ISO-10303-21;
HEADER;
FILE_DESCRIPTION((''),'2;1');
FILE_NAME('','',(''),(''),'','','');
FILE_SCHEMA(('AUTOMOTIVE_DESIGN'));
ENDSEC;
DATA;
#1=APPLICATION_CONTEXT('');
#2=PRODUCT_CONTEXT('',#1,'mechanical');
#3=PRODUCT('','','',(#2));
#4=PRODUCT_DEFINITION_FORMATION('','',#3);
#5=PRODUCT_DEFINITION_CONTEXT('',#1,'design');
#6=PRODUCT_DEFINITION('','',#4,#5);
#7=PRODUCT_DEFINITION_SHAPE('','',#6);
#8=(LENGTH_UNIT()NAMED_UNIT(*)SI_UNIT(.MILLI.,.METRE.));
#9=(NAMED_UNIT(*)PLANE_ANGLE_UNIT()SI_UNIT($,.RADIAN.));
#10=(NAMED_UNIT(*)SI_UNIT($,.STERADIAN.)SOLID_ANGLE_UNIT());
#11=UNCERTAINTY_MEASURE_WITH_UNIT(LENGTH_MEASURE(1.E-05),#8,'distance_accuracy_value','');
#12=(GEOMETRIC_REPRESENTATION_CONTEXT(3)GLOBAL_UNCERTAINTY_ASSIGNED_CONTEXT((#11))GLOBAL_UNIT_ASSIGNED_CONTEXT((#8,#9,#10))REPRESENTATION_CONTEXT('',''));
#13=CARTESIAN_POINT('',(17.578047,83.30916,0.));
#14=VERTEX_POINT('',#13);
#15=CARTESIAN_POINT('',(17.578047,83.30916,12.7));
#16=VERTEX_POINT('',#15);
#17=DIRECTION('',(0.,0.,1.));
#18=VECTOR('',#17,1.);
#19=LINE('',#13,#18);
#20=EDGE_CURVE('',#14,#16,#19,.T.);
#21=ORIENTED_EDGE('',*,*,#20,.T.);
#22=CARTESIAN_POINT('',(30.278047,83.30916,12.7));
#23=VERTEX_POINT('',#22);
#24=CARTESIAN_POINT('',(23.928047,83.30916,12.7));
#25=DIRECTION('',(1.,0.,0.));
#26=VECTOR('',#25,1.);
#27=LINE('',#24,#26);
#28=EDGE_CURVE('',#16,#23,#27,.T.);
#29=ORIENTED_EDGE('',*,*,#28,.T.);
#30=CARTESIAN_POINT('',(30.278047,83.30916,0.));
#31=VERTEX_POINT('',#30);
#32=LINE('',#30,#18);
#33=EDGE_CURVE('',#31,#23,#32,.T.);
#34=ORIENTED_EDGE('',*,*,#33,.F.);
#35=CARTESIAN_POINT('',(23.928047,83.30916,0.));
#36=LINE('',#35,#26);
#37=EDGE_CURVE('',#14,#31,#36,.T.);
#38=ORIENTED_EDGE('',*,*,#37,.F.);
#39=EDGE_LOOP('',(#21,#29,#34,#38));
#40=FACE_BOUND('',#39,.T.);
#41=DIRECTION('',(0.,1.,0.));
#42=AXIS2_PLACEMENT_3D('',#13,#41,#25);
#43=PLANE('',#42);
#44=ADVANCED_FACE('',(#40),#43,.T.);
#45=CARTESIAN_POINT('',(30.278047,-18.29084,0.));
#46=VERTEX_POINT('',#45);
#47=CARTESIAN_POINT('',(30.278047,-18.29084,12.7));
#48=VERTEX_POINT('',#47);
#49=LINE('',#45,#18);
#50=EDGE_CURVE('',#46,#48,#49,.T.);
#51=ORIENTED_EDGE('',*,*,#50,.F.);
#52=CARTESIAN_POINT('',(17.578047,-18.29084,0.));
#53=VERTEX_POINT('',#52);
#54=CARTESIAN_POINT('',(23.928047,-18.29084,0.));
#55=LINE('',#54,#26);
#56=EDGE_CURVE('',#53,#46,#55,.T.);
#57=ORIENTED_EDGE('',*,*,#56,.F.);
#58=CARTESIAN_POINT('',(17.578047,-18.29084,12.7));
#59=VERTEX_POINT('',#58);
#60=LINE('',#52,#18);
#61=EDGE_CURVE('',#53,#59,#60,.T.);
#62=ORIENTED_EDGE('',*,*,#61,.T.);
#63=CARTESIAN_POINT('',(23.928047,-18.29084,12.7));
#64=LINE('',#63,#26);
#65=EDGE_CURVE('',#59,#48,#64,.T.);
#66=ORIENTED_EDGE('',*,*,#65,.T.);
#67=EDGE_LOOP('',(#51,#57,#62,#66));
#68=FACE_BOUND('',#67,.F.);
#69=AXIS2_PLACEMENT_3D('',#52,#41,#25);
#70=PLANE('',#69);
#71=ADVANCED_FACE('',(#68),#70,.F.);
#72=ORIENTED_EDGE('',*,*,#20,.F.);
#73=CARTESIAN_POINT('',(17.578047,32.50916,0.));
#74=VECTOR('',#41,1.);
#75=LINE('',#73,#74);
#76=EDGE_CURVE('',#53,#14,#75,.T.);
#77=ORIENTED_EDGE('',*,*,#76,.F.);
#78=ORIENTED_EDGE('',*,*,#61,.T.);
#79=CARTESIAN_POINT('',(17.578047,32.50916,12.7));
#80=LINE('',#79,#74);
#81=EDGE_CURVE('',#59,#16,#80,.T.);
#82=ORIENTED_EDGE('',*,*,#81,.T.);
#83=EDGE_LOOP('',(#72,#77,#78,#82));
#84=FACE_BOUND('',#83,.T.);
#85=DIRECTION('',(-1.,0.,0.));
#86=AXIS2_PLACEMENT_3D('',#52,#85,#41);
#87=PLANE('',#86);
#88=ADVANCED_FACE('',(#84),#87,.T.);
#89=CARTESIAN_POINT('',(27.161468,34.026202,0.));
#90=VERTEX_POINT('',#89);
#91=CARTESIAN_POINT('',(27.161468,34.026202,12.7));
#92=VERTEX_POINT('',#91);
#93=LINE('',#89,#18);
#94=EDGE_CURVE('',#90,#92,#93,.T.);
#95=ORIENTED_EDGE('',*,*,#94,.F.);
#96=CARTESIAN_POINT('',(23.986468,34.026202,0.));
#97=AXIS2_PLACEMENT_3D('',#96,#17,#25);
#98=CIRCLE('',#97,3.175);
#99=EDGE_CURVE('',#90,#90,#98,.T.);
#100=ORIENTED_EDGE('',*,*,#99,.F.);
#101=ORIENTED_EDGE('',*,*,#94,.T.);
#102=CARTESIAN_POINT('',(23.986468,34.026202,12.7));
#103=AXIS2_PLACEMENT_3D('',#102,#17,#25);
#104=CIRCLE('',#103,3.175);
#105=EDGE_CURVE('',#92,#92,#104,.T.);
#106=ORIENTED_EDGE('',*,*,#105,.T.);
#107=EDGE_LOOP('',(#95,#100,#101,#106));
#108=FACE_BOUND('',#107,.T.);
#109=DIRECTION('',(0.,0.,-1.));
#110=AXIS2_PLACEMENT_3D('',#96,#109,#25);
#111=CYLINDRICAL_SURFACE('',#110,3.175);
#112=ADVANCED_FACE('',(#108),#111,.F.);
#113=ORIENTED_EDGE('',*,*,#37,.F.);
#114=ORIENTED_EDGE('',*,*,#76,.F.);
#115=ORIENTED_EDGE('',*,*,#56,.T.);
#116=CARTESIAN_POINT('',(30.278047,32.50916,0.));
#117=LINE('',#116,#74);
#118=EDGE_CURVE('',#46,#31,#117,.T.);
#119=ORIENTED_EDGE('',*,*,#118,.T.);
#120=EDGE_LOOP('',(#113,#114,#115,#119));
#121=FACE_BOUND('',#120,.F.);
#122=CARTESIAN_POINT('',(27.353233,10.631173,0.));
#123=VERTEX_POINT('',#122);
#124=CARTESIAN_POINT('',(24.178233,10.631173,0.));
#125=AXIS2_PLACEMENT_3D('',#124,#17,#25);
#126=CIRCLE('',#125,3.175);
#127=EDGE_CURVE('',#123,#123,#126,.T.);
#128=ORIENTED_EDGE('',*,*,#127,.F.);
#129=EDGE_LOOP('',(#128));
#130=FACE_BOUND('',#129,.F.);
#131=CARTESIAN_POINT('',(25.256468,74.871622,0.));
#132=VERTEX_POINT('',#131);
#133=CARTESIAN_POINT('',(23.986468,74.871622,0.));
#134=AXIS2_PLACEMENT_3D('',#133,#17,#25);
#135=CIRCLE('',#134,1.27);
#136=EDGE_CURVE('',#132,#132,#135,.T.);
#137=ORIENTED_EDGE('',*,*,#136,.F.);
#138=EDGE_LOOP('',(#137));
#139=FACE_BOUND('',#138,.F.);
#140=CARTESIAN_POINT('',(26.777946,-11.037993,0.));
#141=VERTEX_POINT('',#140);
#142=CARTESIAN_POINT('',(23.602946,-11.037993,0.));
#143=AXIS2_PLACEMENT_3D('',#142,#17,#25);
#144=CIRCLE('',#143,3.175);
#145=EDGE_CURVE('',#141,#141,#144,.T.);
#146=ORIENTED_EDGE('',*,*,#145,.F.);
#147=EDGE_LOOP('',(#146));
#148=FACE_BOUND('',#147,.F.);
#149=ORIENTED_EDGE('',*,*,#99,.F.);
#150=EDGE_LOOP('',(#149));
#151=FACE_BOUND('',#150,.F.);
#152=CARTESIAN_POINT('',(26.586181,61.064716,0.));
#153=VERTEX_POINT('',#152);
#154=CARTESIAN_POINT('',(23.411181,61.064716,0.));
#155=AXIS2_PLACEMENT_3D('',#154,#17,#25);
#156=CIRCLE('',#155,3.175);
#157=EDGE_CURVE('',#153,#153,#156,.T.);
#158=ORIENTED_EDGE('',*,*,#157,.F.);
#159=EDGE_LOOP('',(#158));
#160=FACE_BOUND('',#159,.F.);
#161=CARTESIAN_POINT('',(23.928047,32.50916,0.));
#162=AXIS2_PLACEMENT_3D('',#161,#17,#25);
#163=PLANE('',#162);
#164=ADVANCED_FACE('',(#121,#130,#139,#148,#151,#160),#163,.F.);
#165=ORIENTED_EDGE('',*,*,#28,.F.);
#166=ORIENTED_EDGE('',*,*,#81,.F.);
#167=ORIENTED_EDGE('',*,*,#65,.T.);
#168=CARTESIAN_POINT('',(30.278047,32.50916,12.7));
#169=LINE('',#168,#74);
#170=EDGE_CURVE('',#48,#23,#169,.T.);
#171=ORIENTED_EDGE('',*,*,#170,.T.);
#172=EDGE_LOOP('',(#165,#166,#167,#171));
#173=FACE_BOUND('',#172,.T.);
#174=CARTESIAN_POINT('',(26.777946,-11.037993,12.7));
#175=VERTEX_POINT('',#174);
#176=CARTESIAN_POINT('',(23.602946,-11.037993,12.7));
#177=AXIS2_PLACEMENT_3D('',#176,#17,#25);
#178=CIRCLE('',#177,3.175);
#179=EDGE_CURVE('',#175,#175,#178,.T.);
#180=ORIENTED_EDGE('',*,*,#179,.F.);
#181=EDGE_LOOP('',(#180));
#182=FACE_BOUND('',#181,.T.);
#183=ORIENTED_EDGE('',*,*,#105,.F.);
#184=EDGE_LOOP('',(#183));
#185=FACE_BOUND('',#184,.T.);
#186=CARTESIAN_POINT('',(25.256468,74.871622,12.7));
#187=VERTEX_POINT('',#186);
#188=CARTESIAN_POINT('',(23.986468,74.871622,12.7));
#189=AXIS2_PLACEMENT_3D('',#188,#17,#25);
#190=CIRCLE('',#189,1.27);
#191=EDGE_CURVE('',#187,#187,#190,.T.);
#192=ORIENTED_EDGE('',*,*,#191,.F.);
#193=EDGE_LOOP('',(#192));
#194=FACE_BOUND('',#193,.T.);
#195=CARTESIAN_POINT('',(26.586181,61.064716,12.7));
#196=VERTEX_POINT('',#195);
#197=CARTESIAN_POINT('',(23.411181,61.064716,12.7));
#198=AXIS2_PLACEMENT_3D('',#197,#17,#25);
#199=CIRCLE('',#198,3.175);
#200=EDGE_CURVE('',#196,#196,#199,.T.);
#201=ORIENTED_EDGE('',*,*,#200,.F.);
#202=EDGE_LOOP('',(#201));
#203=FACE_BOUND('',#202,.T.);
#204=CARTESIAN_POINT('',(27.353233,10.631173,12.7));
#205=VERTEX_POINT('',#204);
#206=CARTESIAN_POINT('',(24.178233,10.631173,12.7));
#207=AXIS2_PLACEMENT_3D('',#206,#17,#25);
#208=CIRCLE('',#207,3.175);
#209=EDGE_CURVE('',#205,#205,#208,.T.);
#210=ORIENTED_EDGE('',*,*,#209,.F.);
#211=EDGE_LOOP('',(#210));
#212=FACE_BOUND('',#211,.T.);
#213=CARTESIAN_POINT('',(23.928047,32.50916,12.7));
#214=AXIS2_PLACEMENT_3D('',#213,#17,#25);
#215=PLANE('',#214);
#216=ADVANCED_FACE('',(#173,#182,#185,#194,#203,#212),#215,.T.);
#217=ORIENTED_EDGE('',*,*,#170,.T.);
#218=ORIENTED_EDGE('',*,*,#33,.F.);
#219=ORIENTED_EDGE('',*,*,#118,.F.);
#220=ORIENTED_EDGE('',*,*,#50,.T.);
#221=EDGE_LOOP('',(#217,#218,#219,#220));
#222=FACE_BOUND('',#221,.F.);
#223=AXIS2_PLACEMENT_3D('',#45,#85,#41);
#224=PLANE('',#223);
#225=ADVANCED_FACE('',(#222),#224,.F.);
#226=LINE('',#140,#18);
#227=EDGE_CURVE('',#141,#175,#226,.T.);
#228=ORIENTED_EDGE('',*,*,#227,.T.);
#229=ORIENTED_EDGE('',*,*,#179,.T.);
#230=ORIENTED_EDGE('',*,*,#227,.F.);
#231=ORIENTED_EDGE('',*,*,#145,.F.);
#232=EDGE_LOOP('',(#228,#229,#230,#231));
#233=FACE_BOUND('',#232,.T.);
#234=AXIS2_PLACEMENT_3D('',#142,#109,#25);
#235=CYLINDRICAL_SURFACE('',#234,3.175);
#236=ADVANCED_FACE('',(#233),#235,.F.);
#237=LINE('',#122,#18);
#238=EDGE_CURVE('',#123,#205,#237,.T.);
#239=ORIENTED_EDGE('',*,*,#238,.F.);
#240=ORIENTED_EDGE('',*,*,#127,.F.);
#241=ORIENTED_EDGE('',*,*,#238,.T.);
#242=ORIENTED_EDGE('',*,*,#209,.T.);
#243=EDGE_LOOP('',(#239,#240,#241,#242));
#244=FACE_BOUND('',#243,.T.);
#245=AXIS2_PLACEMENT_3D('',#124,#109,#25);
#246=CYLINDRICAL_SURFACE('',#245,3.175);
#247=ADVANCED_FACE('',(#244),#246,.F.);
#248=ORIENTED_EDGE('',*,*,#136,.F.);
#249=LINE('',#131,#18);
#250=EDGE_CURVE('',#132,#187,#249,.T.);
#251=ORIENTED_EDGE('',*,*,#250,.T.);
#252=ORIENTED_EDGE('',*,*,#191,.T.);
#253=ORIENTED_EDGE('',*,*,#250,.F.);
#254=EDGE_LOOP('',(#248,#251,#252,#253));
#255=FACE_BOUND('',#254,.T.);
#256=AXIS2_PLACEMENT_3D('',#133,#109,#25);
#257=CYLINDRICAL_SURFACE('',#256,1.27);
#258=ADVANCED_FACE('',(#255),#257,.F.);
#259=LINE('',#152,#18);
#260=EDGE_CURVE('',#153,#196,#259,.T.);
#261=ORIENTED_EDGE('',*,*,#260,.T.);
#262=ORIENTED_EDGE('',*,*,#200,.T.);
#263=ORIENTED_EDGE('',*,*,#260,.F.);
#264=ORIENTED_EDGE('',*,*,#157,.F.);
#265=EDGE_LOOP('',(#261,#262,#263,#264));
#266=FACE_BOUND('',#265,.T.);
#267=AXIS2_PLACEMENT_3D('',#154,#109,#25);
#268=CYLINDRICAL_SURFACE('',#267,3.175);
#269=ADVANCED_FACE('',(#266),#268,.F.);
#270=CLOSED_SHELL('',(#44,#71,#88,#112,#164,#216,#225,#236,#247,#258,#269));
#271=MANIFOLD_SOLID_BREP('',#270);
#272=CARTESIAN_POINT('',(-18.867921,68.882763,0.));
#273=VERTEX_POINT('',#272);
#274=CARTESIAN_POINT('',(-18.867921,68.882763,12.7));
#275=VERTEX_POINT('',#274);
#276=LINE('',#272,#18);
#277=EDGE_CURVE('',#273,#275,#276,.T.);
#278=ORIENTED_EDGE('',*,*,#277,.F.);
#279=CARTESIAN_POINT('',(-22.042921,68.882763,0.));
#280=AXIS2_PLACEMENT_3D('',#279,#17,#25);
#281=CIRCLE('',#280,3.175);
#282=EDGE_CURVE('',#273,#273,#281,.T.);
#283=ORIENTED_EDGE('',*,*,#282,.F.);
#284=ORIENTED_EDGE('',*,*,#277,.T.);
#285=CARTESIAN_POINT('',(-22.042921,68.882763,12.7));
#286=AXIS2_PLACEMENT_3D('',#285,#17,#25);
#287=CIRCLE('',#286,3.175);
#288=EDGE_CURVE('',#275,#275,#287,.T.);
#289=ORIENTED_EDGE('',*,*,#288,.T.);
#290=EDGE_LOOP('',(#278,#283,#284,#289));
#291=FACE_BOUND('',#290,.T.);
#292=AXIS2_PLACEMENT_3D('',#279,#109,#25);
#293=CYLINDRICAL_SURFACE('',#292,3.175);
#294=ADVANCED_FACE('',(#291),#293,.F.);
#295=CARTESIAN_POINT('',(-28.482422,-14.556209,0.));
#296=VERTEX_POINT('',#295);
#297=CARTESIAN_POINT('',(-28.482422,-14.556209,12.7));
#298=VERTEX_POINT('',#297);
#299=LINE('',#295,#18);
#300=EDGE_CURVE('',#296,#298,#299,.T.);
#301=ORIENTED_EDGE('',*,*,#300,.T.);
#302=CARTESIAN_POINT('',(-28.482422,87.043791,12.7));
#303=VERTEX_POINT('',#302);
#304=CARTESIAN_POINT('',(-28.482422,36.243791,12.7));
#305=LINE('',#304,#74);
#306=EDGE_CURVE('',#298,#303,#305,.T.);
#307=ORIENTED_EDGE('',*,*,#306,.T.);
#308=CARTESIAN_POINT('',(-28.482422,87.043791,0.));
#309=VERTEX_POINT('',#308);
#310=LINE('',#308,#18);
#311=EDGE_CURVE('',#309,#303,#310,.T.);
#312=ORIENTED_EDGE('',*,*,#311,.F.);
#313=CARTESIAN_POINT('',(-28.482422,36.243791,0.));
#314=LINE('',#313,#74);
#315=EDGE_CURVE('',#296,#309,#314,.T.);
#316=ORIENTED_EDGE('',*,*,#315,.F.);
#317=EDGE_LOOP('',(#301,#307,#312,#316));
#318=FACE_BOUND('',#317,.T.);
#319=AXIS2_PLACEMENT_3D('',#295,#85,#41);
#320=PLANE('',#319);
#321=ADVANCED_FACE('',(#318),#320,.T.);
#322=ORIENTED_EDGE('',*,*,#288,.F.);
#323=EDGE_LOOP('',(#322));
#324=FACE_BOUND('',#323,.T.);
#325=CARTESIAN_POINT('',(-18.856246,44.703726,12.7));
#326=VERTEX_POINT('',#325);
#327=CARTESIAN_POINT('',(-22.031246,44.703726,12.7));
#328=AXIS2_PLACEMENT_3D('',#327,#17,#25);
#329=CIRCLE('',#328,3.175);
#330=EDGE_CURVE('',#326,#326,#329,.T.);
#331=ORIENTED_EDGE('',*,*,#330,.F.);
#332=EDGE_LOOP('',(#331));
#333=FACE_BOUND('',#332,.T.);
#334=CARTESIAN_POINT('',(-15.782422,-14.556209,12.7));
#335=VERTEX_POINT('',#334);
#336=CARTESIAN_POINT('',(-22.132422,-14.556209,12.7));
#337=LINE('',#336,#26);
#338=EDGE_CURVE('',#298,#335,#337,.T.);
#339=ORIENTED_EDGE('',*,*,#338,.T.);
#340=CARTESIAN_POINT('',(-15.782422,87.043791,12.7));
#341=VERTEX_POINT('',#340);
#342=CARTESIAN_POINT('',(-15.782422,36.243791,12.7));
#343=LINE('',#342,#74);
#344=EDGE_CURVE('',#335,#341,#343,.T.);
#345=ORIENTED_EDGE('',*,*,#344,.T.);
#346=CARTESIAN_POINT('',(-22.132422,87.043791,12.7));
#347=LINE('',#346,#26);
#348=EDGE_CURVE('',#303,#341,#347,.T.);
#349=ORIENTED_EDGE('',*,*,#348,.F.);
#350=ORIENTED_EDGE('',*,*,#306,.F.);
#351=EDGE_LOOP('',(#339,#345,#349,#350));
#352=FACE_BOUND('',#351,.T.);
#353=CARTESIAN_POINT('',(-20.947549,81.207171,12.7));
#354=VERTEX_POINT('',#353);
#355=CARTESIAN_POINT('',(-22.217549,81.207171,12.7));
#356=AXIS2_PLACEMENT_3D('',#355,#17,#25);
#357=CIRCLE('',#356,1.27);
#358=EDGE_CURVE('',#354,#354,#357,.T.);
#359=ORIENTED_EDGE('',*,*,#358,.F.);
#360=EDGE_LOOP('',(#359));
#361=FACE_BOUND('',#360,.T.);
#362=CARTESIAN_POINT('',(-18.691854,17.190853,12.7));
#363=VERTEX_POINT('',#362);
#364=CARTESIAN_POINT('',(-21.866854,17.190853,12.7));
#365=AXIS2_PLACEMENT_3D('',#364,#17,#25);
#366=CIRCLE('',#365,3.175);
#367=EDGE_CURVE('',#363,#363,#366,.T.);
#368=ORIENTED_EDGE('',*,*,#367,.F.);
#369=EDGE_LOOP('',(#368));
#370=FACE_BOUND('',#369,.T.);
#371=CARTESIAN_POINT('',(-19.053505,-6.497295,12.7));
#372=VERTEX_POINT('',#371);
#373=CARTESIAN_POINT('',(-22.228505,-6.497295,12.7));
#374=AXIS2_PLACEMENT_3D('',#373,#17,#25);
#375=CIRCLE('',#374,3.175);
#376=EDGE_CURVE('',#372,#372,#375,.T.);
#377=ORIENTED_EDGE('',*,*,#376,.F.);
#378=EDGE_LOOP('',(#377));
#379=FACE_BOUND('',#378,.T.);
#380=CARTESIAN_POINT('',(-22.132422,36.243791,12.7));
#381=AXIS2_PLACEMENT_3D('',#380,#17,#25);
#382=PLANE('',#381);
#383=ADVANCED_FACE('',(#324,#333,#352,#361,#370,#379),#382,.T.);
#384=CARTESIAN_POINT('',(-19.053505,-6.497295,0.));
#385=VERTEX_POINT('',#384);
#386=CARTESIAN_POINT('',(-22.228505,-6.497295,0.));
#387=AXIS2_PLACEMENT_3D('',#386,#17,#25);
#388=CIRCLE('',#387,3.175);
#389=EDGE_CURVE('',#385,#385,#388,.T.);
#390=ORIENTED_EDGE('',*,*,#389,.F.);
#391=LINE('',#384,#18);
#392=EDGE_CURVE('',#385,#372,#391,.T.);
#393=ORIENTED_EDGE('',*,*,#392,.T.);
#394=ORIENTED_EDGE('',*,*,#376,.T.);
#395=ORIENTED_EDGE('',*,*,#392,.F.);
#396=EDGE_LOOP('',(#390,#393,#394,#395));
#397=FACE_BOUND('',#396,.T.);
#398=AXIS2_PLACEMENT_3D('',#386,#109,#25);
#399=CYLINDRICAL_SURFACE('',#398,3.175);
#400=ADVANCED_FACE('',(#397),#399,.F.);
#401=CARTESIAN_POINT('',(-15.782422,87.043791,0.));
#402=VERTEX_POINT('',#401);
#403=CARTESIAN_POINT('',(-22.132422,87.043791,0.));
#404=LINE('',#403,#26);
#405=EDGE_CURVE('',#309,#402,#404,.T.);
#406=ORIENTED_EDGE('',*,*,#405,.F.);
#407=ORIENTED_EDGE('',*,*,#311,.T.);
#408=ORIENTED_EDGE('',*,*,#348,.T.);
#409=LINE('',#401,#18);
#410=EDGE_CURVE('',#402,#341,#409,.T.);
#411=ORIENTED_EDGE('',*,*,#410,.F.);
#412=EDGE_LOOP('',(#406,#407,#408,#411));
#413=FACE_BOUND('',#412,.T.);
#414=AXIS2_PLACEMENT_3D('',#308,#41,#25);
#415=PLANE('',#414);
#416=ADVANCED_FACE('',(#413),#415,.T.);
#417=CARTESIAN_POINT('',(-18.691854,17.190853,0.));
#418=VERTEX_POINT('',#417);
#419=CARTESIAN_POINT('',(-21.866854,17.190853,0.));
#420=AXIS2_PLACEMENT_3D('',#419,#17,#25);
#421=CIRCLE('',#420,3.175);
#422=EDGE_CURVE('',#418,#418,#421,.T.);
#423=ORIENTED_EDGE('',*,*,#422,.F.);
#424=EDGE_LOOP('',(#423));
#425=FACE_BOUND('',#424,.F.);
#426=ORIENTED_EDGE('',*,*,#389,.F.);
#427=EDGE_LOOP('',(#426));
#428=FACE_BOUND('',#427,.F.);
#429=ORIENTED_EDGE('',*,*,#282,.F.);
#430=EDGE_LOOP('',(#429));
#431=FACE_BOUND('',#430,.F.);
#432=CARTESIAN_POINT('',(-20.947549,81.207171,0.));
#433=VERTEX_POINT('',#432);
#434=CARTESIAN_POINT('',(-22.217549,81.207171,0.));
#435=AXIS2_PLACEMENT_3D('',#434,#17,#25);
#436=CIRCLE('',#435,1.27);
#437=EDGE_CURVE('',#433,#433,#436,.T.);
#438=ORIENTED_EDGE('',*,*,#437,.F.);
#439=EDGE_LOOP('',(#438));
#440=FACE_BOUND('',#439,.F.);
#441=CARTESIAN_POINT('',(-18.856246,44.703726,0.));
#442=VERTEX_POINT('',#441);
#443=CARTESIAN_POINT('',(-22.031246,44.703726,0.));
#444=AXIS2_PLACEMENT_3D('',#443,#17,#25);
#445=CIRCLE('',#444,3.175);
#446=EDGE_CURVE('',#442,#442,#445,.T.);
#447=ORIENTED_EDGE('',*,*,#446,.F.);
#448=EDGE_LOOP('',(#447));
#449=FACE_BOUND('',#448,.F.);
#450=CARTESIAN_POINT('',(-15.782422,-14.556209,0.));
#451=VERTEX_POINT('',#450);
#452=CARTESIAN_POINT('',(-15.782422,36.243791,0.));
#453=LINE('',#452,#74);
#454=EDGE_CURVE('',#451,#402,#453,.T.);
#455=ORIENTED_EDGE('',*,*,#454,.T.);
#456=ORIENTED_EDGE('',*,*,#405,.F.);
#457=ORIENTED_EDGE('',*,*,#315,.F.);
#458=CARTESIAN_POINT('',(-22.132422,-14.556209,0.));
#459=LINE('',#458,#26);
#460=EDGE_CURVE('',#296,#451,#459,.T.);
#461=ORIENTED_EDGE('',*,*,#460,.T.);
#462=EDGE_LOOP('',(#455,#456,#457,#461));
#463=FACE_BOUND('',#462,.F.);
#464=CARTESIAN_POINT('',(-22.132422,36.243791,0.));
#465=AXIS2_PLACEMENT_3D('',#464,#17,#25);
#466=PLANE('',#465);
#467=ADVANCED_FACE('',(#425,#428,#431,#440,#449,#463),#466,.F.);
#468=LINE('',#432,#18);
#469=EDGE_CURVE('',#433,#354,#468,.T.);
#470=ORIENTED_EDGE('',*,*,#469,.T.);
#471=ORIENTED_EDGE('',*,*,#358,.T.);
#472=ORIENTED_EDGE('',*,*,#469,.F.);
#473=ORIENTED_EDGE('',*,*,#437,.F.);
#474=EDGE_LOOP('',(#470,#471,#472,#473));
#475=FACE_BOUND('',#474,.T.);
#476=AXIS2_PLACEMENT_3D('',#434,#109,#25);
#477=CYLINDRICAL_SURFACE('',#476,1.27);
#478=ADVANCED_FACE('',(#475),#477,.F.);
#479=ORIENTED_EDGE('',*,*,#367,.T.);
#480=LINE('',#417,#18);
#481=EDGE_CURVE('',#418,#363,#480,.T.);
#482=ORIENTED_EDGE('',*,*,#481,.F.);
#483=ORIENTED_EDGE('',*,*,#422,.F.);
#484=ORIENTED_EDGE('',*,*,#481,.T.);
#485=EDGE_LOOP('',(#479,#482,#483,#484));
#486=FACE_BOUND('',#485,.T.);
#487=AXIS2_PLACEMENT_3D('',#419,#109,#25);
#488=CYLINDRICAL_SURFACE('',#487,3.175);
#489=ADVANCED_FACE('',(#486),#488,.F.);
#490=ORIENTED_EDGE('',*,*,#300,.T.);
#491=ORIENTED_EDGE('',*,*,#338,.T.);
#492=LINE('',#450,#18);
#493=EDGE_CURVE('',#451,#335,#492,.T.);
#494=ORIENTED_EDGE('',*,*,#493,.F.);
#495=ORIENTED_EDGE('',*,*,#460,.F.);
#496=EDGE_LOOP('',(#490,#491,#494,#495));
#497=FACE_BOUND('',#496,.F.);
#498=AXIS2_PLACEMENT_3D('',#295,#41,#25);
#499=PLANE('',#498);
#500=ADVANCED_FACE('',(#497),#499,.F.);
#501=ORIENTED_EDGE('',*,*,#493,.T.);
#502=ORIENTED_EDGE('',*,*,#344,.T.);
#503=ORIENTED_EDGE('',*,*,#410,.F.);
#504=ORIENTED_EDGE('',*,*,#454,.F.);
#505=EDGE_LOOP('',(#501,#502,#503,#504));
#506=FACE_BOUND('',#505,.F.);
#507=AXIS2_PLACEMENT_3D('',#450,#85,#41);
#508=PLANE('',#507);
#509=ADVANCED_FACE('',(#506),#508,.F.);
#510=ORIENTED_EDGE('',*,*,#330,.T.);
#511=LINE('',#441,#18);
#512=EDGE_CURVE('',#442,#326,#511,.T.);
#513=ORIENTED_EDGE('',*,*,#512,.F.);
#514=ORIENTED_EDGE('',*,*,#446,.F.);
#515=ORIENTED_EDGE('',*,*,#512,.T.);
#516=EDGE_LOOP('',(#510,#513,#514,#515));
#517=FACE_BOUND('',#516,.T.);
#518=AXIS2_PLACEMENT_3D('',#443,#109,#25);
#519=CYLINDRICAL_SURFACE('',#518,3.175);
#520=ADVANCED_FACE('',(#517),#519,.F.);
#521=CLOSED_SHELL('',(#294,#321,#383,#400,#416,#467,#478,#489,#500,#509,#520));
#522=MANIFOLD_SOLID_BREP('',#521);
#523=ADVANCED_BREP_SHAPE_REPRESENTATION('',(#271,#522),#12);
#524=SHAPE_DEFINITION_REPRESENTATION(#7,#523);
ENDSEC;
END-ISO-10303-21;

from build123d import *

# Parameters (mm, degrees)
F0_W     = 12.7
F0_H     = 101.6
F0_R     = 3.175
F0_R_2   = 1.27
F1_DEPTH = 12.7
F2_DEPTH = 12.7


with BuildPart() as f1:
    # F0 (on Top) → F1 (new body)
    with BuildSketch(Plane.XY):
        with Locations((-22.132422, 36.243791)):
            Rectangle(F0_W, F0_H)
        with Locations((-22.228505, -6.497295)):
            Circle(F0_R, mode=Mode.SUBTRACT)
        with Locations((-21.866854, 17.190853)):
            Circle(F0_R, mode=Mode.SUBTRACT)
        with Locations((-22.031246, 44.703726)):
            Circle(F0_R, mode=Mode.SUBTRACT)
        with Locations((-22.042921, 68.882763)):
            Circle(F0_R, mode=Mode.SUBTRACT)
        with Locations((-22.217549, 81.207171)):
            Circle(F0_R_2, mode=Mode.SUBTRACT)
    extrude(amount=F1_DEPTH)


with BuildPart() as f2:
    # F0 (on Top) → F2 (new body)
    with BuildSketch(Plane.XY):
        with Locations((23.928047, 32.50916)):
            Rectangle(F0_W, F0_H)
        with Locations((23.602946, -11.037993)):
            Circle(F0_R, mode=Mode.SUBTRACT)
        with Locations((24.178233, 10.631173)):
            Circle(F0_R, mode=Mode.SUBTRACT)
        with Locations((23.986468, 34.026202)):
            Circle(F0_R, mode=Mode.SUBTRACT)
        with Locations((23.411181, 61.064716)):
            Circle(F0_R, mode=Mode.SUBTRACT)
        with Locations((23.986468, 74.871622)):
            Circle(F0_R_2, mode=Mode.SUBTRACT)
    extrude(amount=F2_DEPTH)


solid = Compound([f1.part, f2.part])
